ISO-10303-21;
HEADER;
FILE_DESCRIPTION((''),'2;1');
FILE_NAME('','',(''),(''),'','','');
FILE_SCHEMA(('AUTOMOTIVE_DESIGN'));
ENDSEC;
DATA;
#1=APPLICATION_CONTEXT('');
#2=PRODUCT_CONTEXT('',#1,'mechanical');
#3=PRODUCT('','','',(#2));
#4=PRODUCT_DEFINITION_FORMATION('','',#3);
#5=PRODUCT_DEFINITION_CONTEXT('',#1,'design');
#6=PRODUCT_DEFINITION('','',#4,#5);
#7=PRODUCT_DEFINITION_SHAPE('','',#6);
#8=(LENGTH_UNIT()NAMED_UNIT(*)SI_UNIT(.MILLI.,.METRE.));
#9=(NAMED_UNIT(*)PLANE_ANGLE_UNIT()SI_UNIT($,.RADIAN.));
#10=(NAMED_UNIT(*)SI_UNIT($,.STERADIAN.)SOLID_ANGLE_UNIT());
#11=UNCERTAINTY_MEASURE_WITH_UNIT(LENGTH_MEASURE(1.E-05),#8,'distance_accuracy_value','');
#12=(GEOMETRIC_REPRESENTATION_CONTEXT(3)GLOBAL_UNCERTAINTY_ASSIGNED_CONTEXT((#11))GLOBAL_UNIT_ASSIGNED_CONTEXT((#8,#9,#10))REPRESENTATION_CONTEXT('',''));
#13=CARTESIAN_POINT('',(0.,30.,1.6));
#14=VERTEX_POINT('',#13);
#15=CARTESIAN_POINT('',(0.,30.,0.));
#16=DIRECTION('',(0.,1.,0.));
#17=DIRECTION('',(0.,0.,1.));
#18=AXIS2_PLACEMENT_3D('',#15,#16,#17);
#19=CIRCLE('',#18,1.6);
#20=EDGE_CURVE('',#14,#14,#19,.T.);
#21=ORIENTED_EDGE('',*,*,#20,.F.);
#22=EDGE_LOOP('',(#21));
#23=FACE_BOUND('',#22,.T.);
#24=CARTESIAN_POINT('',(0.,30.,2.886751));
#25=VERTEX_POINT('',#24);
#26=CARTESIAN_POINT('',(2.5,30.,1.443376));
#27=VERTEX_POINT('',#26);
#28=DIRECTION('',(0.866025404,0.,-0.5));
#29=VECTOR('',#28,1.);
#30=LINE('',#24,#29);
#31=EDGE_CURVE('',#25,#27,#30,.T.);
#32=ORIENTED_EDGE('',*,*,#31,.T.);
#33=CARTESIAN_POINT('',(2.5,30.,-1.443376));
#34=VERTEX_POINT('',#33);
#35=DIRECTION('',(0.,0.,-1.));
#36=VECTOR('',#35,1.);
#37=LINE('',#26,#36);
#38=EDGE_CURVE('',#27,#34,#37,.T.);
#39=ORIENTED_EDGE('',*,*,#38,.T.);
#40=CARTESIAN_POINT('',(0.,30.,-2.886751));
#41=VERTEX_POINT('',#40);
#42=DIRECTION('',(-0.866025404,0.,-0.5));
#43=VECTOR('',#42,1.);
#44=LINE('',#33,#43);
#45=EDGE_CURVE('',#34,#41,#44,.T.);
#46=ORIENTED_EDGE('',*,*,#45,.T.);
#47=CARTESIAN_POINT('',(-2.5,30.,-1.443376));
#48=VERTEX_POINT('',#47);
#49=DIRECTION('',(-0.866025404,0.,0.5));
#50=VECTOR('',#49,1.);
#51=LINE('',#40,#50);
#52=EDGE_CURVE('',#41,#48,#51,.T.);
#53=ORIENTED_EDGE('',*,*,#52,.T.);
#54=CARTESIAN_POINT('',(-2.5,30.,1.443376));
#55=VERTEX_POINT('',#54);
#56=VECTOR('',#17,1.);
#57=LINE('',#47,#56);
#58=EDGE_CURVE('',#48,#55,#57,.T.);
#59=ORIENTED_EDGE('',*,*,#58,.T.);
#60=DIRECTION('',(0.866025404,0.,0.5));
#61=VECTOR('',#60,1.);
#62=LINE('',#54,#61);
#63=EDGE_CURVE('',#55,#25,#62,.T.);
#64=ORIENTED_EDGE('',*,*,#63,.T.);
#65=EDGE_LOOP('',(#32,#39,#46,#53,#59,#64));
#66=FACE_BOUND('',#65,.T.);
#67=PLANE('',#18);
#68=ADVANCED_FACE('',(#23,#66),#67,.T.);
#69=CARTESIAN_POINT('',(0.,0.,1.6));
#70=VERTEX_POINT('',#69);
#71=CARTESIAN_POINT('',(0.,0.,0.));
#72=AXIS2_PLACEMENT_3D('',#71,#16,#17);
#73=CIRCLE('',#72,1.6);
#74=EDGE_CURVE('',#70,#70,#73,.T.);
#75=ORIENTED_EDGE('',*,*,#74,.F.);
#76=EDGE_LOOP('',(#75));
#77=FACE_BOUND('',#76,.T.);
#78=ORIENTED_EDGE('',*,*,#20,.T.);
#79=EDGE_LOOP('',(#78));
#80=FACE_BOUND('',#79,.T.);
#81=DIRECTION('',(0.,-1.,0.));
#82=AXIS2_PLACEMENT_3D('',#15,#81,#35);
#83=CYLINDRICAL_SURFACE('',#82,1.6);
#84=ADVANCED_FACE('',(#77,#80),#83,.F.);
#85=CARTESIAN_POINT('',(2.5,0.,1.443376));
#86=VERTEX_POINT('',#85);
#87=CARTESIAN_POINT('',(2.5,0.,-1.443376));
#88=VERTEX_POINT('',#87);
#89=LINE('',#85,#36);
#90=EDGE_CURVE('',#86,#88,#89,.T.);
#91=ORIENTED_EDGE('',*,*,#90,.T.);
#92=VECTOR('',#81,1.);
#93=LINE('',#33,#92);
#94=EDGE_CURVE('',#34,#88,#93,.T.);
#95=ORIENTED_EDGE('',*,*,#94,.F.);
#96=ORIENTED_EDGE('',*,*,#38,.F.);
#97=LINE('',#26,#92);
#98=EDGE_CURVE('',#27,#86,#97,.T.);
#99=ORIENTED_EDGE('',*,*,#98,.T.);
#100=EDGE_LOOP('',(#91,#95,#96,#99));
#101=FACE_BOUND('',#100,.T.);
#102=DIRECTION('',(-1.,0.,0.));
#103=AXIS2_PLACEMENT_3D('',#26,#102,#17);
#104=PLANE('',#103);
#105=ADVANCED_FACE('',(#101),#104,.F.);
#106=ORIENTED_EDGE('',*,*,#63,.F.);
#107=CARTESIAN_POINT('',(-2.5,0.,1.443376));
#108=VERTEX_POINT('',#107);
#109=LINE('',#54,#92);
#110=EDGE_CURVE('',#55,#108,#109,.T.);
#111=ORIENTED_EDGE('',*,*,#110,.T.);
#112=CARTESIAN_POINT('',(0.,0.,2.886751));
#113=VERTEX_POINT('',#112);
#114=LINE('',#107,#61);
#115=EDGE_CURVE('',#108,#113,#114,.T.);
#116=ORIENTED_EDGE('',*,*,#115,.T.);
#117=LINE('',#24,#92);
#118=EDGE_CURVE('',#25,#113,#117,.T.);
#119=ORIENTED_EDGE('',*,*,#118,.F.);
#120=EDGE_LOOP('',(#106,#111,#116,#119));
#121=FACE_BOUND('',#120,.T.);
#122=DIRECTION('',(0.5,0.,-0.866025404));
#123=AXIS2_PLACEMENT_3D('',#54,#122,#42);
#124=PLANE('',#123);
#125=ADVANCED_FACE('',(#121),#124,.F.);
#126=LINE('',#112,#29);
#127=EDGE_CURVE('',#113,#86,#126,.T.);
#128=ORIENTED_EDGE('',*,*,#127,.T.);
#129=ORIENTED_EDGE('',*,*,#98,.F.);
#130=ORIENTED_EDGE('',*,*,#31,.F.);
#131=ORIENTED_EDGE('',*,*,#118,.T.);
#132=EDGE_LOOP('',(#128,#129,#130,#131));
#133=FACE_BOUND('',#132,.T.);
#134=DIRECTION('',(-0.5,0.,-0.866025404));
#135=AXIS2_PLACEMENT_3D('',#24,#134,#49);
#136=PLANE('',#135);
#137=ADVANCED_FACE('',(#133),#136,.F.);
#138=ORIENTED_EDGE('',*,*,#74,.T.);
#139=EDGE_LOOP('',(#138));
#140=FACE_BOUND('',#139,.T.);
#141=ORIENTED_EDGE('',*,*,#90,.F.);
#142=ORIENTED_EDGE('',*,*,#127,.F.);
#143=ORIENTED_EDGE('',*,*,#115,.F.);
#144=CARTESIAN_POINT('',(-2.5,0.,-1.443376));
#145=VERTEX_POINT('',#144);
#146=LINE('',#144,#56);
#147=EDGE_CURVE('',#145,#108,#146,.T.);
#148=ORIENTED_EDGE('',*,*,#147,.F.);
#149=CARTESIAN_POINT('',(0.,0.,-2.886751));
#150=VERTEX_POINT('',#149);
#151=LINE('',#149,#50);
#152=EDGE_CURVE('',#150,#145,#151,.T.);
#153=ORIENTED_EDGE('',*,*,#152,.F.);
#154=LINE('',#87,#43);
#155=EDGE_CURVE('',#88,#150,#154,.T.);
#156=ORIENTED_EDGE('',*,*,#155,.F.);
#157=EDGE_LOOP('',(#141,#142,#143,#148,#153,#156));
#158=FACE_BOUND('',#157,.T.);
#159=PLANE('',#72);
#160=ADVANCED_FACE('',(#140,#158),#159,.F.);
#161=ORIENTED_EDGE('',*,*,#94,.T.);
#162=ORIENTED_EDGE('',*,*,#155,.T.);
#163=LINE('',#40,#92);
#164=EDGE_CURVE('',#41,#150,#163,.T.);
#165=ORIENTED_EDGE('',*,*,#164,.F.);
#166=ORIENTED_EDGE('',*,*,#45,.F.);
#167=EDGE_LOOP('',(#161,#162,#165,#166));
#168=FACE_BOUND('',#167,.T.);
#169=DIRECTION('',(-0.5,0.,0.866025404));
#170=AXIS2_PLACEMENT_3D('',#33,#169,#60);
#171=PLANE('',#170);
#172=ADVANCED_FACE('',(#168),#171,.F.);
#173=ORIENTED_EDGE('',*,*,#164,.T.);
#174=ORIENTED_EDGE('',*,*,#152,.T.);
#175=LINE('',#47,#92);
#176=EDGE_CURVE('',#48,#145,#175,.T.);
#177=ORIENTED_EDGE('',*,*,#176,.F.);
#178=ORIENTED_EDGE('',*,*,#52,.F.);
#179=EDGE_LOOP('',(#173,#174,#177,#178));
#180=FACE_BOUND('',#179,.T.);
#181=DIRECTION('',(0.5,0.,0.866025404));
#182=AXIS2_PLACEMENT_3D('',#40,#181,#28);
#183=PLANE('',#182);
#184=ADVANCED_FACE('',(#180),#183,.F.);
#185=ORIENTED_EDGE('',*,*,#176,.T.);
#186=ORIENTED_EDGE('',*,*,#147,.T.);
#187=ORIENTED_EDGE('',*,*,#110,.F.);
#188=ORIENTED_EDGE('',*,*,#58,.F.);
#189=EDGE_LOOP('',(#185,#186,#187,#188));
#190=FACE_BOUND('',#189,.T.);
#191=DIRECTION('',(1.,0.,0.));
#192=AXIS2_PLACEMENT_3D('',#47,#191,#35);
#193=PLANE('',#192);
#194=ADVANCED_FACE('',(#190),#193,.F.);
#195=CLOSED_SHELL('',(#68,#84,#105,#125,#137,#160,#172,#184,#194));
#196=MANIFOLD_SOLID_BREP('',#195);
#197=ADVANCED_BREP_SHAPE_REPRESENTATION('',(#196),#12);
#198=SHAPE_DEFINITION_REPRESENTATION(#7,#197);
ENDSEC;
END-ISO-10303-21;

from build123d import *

# Parameters (mm, degrees)
SKETCH_1_R      = 1.6
EXTRUDE_1_DEPTH = 30


with BuildPart() as part:
    # 草图1 → 凸台-拉伸1 (new body)
    with BuildSketch(Plane(origin=(0, 0, 0), x_dir=(1, 0, 0), z_dir=(0, 1, 0))):
        Polygon((0, 2.886751346), (-2.5, 1.443375673), (-2.5, -1.443375673), (0, -2.886751346), (2.5, -1.443375673), (2.5, 1.443375673), align=None)
        with Locations(Location((0, 0, 0), (0, 0, 270))):
            Circle(SKETCH_1_R, mode=Mode.SUBTRACT)
    extrude(amount=EXTRUDE_1_DEPTH)


solid = part.part
